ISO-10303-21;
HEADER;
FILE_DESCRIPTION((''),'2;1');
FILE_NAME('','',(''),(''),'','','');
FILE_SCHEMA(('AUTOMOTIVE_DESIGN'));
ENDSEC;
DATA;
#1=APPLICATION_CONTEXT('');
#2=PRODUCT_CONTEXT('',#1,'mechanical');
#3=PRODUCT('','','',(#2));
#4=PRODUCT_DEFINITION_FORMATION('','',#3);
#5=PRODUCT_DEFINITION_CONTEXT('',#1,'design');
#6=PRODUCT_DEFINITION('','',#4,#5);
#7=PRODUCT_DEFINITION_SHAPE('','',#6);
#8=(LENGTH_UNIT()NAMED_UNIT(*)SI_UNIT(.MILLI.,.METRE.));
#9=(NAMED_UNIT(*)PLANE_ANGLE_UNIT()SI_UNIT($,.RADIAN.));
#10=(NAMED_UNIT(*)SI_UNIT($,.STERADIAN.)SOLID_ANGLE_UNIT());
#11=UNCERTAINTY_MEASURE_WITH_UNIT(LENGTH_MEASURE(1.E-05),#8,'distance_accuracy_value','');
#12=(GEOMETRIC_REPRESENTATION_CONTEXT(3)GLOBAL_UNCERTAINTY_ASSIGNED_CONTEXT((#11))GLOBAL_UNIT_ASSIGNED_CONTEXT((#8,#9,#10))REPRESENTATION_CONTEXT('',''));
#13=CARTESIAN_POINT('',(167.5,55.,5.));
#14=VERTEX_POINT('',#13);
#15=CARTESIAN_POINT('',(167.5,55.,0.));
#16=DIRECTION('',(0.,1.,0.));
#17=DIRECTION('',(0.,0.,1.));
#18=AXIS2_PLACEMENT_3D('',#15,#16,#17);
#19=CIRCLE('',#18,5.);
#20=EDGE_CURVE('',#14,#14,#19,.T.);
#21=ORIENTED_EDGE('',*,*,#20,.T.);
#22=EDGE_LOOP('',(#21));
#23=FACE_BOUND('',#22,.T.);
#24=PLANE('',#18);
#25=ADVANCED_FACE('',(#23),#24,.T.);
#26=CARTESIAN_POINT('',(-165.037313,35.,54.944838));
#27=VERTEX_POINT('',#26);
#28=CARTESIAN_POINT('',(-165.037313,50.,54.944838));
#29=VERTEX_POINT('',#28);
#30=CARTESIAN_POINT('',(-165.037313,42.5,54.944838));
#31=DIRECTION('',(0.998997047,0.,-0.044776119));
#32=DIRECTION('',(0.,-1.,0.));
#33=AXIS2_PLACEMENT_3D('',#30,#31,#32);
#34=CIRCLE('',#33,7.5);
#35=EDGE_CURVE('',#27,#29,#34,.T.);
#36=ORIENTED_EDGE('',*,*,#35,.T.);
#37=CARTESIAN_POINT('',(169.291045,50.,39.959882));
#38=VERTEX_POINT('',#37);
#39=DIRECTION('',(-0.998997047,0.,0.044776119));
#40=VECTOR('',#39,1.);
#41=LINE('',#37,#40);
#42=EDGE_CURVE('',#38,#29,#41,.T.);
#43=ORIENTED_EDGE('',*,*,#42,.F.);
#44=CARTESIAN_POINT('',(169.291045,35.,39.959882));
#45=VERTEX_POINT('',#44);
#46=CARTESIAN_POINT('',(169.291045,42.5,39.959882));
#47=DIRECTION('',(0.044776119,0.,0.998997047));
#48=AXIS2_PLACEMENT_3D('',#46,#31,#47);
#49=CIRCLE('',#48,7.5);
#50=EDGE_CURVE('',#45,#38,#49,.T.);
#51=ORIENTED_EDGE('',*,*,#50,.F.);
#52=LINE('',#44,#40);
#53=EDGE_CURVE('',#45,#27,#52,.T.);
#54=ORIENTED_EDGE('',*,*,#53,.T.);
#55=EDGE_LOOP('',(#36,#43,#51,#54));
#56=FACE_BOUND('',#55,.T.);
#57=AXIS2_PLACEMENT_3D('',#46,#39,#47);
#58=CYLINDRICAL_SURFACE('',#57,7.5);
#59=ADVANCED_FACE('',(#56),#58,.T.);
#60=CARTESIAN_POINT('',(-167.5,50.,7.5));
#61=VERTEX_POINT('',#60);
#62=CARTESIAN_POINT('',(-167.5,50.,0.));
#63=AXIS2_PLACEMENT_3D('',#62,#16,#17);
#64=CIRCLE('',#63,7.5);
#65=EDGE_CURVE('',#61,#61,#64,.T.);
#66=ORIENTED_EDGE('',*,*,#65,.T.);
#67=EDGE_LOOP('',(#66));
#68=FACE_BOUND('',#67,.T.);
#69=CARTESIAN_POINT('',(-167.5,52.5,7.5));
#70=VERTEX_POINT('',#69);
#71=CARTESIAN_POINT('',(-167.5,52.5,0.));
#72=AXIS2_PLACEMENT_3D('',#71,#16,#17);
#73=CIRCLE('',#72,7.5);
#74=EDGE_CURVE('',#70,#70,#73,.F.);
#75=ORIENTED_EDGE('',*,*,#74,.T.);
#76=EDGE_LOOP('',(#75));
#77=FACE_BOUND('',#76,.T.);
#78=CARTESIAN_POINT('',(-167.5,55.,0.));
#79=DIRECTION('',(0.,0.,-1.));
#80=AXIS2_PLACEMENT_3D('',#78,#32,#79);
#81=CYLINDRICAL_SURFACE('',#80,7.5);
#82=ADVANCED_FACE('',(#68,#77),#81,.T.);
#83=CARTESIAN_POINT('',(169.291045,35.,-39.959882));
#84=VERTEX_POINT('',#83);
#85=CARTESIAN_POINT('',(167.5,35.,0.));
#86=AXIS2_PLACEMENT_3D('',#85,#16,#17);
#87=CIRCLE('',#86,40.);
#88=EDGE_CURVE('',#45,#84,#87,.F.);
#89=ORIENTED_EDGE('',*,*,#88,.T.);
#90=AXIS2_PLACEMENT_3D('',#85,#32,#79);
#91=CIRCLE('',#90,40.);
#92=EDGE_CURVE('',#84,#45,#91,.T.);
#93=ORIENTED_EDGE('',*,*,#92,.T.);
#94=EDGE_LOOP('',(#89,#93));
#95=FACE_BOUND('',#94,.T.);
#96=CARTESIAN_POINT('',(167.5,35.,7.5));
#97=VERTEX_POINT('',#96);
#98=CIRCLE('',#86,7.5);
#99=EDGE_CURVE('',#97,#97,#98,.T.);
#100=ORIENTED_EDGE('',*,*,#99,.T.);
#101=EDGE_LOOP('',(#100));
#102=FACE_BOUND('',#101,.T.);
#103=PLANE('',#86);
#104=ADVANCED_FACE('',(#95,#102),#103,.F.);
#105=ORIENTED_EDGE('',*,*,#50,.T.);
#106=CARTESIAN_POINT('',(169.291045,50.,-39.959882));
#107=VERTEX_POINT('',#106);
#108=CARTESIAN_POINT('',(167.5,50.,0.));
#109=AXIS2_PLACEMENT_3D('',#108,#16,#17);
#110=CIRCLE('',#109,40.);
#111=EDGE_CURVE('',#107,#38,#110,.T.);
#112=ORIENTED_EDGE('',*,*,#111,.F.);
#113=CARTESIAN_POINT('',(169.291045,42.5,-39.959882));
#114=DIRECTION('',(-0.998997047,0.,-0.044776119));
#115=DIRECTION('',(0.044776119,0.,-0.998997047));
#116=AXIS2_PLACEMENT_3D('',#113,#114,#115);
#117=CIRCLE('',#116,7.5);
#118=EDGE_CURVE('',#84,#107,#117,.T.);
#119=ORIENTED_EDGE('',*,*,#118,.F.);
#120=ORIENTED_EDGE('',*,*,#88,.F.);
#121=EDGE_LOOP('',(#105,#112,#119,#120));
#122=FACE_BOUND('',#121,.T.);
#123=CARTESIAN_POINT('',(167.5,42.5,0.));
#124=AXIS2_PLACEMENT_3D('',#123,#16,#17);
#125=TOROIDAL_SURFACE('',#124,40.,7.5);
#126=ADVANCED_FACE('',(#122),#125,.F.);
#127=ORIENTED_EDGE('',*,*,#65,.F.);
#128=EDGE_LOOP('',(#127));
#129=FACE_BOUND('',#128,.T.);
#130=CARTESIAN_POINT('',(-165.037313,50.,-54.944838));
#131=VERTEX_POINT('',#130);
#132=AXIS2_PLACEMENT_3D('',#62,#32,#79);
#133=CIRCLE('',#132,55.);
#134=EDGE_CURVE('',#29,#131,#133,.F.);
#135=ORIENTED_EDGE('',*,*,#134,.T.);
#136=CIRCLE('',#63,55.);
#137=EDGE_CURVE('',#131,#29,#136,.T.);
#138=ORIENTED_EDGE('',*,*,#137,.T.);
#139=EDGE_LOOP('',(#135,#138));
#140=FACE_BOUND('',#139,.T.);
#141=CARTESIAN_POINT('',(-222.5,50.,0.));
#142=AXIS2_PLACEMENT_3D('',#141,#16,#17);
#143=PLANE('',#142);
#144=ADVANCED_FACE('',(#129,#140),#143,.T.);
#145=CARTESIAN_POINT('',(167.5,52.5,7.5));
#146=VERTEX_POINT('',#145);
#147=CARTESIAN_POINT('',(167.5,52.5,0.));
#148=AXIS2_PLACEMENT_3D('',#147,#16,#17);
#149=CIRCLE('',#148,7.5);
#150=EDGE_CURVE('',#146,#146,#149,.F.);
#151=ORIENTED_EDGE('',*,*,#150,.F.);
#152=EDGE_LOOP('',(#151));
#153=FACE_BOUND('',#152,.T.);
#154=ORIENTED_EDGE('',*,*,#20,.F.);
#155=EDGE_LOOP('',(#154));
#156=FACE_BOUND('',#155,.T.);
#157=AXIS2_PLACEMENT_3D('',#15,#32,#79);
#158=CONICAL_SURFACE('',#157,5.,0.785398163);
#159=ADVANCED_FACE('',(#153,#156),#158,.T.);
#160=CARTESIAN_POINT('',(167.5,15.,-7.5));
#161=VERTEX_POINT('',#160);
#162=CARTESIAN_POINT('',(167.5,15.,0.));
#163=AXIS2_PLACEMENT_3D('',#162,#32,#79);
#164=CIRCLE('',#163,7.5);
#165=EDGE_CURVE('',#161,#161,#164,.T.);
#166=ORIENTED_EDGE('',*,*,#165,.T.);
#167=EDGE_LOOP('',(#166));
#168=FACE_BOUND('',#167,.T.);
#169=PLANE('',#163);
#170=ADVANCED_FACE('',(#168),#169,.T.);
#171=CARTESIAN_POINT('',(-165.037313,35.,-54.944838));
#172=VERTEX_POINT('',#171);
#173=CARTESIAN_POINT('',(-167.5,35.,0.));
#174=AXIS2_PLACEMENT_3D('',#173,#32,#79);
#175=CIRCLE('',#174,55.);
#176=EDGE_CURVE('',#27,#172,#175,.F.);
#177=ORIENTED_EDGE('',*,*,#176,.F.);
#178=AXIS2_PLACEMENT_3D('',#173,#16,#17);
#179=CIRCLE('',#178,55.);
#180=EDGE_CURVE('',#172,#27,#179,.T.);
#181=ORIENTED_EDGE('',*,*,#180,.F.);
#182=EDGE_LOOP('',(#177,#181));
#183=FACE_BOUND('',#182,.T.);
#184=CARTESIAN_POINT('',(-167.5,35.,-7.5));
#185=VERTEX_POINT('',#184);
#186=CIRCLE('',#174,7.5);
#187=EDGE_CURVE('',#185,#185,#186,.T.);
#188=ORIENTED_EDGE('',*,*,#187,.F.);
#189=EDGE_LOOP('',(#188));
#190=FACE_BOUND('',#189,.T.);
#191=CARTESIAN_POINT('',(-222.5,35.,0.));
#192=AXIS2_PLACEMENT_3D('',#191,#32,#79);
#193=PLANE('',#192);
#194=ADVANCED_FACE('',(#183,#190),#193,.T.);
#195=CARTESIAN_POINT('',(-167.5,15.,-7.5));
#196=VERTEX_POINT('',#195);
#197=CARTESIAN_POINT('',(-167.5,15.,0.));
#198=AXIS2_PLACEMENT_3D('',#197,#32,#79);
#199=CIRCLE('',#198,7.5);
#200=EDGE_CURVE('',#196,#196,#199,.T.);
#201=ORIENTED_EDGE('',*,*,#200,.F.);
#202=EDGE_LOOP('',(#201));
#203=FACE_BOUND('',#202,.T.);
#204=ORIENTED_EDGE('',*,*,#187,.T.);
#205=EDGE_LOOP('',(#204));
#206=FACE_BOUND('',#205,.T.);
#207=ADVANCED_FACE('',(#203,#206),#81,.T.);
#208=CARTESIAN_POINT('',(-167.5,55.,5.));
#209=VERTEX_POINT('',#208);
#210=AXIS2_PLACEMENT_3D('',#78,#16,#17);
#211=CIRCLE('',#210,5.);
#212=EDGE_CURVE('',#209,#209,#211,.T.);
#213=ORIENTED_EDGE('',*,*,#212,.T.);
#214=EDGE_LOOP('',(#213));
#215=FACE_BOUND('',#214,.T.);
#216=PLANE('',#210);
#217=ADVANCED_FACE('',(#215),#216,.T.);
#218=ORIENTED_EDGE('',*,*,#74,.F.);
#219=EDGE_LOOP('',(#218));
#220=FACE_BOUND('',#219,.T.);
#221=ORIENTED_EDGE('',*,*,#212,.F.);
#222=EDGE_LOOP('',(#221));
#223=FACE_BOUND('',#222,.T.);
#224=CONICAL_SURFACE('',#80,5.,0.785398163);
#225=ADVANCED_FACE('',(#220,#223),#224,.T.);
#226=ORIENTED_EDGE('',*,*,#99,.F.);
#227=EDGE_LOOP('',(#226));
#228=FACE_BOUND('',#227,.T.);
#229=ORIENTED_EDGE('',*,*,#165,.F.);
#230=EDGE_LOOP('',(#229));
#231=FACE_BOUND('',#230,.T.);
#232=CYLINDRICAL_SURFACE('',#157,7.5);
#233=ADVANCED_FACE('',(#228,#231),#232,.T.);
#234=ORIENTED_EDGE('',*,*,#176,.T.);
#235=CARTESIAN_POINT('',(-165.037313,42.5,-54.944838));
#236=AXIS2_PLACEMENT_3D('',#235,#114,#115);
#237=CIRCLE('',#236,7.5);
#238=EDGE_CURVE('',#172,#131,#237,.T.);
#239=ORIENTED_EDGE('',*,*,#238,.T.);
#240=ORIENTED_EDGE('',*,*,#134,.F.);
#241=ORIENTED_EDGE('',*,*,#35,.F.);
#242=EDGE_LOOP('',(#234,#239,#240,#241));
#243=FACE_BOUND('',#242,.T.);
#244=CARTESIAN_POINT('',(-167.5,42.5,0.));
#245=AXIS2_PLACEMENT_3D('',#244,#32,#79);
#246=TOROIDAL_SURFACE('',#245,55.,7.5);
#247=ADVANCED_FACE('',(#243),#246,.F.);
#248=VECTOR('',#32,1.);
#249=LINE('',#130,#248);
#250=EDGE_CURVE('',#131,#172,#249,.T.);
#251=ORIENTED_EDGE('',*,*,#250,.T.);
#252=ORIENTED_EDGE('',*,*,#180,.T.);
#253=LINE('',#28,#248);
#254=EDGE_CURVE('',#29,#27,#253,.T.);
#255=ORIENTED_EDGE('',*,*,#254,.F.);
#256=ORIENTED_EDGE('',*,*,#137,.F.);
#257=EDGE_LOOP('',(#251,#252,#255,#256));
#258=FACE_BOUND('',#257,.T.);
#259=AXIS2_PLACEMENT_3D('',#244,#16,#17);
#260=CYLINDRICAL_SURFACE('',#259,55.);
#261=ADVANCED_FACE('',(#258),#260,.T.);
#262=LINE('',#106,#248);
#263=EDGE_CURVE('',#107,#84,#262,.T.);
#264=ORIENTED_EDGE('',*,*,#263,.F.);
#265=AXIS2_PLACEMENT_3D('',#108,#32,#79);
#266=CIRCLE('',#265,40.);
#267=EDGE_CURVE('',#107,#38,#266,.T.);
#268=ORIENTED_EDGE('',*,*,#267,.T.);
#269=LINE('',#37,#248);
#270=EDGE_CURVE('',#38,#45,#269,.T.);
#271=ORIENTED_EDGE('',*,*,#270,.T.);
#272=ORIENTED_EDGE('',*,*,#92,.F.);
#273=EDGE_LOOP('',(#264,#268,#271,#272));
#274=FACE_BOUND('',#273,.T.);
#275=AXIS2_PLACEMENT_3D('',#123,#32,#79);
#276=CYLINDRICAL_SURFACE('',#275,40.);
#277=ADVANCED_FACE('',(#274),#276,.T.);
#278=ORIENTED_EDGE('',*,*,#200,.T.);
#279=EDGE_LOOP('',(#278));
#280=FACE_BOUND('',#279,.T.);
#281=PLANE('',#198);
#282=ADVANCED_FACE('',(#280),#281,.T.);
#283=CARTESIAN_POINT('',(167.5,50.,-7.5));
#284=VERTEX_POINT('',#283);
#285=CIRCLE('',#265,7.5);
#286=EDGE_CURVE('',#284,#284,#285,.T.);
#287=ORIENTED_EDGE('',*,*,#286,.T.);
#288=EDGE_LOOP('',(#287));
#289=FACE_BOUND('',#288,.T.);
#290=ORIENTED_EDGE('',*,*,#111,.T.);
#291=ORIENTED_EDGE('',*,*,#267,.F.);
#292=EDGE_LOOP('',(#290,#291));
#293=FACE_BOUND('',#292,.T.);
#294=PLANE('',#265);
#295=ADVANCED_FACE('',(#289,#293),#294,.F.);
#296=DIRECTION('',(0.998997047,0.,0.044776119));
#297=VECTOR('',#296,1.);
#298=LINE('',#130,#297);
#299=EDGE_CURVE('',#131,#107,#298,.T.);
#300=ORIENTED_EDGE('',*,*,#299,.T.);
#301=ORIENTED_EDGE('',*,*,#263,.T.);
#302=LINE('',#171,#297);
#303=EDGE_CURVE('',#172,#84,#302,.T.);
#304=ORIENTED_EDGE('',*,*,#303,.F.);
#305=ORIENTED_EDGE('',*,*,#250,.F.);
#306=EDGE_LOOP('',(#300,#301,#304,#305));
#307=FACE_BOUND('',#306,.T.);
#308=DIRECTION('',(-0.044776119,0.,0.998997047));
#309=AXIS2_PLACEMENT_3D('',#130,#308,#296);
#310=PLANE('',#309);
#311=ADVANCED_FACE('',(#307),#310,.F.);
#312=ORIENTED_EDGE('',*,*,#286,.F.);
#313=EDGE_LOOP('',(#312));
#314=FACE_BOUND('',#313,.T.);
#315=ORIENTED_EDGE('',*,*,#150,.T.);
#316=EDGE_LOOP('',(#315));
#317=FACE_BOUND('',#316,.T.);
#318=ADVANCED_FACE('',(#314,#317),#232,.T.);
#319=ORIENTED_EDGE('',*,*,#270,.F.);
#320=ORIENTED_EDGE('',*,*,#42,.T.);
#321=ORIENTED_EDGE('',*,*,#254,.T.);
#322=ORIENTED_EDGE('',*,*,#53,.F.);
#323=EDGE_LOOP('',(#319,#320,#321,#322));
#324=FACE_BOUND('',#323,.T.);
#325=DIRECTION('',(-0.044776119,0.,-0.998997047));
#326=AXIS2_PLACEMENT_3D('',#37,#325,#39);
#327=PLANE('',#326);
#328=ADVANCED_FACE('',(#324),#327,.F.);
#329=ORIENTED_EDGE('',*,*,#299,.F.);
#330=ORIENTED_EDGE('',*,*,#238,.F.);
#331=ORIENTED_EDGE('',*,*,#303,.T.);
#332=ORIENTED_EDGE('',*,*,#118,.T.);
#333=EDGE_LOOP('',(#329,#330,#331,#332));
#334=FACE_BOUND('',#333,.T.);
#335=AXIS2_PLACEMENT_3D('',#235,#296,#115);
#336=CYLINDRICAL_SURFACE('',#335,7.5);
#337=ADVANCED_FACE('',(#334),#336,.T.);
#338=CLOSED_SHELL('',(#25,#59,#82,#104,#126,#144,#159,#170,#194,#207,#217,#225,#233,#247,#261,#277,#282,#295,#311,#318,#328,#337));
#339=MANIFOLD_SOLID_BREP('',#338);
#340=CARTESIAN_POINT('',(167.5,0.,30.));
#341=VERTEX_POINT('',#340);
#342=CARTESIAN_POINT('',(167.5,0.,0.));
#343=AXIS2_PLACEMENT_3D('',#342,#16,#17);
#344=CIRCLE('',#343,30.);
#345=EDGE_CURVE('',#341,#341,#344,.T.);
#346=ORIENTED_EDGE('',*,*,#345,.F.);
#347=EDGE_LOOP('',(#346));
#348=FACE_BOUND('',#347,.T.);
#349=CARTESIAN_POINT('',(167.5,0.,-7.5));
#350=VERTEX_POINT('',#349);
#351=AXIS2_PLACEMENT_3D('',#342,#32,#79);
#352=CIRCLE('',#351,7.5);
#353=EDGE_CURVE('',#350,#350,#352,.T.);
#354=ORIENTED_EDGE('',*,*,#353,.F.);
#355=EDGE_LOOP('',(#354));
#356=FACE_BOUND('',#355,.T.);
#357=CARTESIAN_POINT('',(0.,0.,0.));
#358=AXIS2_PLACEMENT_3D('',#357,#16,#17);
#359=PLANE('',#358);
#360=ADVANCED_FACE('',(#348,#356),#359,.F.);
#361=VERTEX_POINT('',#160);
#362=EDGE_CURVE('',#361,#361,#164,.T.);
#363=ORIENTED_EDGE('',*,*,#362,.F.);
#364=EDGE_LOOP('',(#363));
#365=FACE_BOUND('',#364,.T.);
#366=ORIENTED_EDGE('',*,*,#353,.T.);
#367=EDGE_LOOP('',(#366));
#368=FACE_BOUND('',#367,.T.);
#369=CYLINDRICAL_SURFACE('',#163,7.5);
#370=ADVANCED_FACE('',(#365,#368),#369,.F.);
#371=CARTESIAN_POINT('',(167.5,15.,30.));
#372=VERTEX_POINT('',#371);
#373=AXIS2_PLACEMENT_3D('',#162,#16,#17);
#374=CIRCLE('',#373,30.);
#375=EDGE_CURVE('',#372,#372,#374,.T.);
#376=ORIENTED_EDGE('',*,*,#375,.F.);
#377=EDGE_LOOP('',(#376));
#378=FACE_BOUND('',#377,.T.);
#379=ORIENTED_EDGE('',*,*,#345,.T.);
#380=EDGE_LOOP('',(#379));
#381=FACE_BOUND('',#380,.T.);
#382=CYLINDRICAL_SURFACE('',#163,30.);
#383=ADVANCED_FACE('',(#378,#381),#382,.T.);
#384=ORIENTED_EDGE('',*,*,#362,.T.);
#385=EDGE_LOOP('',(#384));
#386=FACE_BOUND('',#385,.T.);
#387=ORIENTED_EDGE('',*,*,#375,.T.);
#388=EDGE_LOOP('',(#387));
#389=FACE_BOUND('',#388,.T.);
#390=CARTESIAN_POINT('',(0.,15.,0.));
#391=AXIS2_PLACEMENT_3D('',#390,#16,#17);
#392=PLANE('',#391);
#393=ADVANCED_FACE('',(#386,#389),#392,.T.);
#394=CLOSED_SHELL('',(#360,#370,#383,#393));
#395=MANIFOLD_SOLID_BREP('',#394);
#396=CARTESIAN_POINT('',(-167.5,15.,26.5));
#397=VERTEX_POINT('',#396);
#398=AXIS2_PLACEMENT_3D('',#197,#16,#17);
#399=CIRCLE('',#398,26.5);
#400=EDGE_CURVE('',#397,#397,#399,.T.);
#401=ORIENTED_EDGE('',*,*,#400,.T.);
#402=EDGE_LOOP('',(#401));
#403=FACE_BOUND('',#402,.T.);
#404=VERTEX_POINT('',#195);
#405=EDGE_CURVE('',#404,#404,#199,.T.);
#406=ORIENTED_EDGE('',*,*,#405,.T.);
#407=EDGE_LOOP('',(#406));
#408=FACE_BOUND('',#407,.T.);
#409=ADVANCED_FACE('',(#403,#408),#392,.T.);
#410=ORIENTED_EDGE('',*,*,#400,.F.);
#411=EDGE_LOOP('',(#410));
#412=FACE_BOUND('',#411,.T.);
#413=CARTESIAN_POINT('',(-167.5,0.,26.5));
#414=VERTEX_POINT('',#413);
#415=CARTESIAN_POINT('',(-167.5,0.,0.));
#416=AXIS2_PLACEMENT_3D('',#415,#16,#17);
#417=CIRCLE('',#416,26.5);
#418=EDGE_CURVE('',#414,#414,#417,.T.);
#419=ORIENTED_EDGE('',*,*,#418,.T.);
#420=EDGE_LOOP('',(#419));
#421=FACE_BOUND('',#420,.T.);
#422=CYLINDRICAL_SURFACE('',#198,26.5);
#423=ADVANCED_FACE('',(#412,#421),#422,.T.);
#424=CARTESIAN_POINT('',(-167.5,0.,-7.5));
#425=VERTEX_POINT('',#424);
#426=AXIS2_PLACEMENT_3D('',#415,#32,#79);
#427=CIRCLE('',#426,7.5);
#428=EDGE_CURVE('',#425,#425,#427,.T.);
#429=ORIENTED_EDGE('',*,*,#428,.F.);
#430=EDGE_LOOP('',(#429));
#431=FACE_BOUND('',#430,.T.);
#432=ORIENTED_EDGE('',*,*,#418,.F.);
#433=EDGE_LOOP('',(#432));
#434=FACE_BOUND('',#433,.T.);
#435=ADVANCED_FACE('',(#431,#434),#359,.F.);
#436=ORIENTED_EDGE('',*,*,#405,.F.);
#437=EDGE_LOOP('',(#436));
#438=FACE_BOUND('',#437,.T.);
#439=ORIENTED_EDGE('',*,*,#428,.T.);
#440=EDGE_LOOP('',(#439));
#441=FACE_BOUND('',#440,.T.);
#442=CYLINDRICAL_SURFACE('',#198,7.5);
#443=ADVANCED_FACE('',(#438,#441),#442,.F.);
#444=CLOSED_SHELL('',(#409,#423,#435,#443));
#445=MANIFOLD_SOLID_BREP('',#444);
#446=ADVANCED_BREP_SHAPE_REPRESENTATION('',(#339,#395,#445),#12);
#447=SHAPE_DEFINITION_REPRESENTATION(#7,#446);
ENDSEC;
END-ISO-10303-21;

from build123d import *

# Parameters (mm, degrees)
SKETCH1_R             = 30
BOSS_EXTRUDE1_DEPTH   = 15
SKETCH1_R_2           = 26.5
BOSS_EXTRUDE1_2_DEPTH = 15
SKETCH2_R             = 7.5
BOSS_EXTRUDE2_DEPTH   = 40
SKETCH4_W             = 55
SKETCH4_H             = 15
SKETCH5_R             = 7.5
SKETCH6_W             = 40
SKETCH6_H             = 15
SKETCH7_R             = 7.5
CHAMFER1_SIZE         = 2.5
SKETCH10_R            = 7.5
CUT_EXTRUDE1_DEPTH    = 15
SKETCH11_R            = 7.5
CUT_EXTRUDE2_DEPTH    = 15


with BuildPart() as part:
    # Sketch1 → Boss-Extrude1 (new body)
    with BuildSketch(Plane(origin=(0, 0, 0), x_dir=(1, 0, 0), z_dir=(0, 1, 0))):
        with Locations((167.5, 0)):
            Circle(SKETCH1_R)
    extrude(amount=BOSS_EXTRUDE1_DEPTH)



with BuildPart() as body_2:
    # Sketch1 → Boss-Extrude1 2 (new body)
    with BuildSketch(Plane(origin=(0, 0, 0), x_dir=(1, 0, 0), z_dir=(0, 1, 0))):
        with Locations((-167.5, 0)):
            Circle(SKETCH1_R_2)
    extrude(amount=BOSS_EXTRUDE1_2_DEPTH)


with BuildPart() as part_1:
    add(part.part)

    add(body_2.part)  # Boss-Extrude2 merges body 2
    # Sketch2 → Boss-Extrude2 (add)
    with BuildSketch(Plane(origin=(0, 15, 0), x_dir=(1, 0, 0), z_dir=(0, 1, 0))):
        with Locations((-167.5, 0)):
            Circle(SKETCH2_R)
        with Locations((167.5, 0)):
            Circle(SKETCH2_R)
    extrude(amount=BOSS_EXTRUDE2_DEPTH)

    # Sketch4 → Revolve3 (revolve)
    with BuildSketch(Plane.XY):
        with Locations((-195, 42.5)):
            Rectangle(SKETCH4_W, SKETCH4_H)
    revolve(axis=Axis((-167.5, 55, 0), (0, -1, 0)))

    # Sketch5 → Cut-Revolve1 (revolve, cut)
    with BuildSketch(Plane.XY):
        with Locations((-222.5, 42.5)):
            Circle(SKETCH5_R)
    revolve(axis=Axis((-167.5, 55, 0), (0, 1, 0)), mode=Mode.SUBTRACT)

    # Sketch6 → Revolve4 (revolve)
    with BuildSketch(Plane.XY):
        with Locations((147.5, 42.5)):
            Rectangle(SKETCH6_W, SKETCH6_H)
    revolve(axis=Axis((167.5, 55, 0), (0, 1, 0)))

    # Sketch7 → Cut-Revolve2 (revolve, cut)
    with BuildSketch(Plane.XY):
        with Locations((127.5, 42.5)):
            Circle(SKETCH7_R)
    revolve(axis=Axis((167.5, 55, 0), (0, -1, 0)), mode=Mode.SUBTRACT)

    # Sweep1: sweep along a path in Sketch8
    with BuildLine(Plane(origin=(0, 42.5, 0), x_dir=(1, 0, 0), z_dir=(0, 1, 0))) as sweep1_path:
        Line((168.955223881, 32.467404015), (-165.373134328, 47.452359714))
        ThreePointArc((-165.373134328, 47.452359714), (-215, 0), (-165.373134328, -47.452359714))
        Line((-165.373134328, -47.452359714), (168.955223881, -32.467404015))
        ThreePointArc((168.955223881, -32.467404015), (200, 0), (168.955223881, 32.467404015))
    # Sketch9 → Sweep1 (sweep)
    with BuildSketch(Plane(origin=(-165.373134328, 42.5, 47.452359714), x_dir=(-0.044776119, 0, -0.998997047), z_dir=(0.998997047, 0, -0.044776119))):
        with BuildLine():
            Line((-7.5, 7.5), (-7.5, -7.5))
            ThreePointArc((-7.5, -7.5), (0, 0), (-7.5, 7.5))
        make_face()
    sweep(path=sweep1_path.line)

    # Chamfer1
    chamfer1_edges = [part_1.edges().sort_by_distance(p)[0] for p in [
        (160, 55, 0),
        (-175, 55, 0),
    ]]
    chamfer(chamfer1_edges, length=CHAMFER1_SIZE)

    # Sketch10 → Cut-Extrude1 (cut)
    with BuildSketch(Plane.XZ):
        with Locations((-167.5, 0)):
            Circle(SKETCH10_R)
    extrude(amount=-CUT_EXTRUDE1_DEPTH, mode=Mode.SUBTRACT)

    # Sketch11 → Cut-Extrude2 (cut)
    with BuildSketch(Plane.XZ):
        with Locations((167.5, 0)):
            Circle(SKETCH11_R)
    extrude(amount=-CUT_EXTRUDE2_DEPTH, mode=Mode.SUBTRACT)


solid = part_1.part
